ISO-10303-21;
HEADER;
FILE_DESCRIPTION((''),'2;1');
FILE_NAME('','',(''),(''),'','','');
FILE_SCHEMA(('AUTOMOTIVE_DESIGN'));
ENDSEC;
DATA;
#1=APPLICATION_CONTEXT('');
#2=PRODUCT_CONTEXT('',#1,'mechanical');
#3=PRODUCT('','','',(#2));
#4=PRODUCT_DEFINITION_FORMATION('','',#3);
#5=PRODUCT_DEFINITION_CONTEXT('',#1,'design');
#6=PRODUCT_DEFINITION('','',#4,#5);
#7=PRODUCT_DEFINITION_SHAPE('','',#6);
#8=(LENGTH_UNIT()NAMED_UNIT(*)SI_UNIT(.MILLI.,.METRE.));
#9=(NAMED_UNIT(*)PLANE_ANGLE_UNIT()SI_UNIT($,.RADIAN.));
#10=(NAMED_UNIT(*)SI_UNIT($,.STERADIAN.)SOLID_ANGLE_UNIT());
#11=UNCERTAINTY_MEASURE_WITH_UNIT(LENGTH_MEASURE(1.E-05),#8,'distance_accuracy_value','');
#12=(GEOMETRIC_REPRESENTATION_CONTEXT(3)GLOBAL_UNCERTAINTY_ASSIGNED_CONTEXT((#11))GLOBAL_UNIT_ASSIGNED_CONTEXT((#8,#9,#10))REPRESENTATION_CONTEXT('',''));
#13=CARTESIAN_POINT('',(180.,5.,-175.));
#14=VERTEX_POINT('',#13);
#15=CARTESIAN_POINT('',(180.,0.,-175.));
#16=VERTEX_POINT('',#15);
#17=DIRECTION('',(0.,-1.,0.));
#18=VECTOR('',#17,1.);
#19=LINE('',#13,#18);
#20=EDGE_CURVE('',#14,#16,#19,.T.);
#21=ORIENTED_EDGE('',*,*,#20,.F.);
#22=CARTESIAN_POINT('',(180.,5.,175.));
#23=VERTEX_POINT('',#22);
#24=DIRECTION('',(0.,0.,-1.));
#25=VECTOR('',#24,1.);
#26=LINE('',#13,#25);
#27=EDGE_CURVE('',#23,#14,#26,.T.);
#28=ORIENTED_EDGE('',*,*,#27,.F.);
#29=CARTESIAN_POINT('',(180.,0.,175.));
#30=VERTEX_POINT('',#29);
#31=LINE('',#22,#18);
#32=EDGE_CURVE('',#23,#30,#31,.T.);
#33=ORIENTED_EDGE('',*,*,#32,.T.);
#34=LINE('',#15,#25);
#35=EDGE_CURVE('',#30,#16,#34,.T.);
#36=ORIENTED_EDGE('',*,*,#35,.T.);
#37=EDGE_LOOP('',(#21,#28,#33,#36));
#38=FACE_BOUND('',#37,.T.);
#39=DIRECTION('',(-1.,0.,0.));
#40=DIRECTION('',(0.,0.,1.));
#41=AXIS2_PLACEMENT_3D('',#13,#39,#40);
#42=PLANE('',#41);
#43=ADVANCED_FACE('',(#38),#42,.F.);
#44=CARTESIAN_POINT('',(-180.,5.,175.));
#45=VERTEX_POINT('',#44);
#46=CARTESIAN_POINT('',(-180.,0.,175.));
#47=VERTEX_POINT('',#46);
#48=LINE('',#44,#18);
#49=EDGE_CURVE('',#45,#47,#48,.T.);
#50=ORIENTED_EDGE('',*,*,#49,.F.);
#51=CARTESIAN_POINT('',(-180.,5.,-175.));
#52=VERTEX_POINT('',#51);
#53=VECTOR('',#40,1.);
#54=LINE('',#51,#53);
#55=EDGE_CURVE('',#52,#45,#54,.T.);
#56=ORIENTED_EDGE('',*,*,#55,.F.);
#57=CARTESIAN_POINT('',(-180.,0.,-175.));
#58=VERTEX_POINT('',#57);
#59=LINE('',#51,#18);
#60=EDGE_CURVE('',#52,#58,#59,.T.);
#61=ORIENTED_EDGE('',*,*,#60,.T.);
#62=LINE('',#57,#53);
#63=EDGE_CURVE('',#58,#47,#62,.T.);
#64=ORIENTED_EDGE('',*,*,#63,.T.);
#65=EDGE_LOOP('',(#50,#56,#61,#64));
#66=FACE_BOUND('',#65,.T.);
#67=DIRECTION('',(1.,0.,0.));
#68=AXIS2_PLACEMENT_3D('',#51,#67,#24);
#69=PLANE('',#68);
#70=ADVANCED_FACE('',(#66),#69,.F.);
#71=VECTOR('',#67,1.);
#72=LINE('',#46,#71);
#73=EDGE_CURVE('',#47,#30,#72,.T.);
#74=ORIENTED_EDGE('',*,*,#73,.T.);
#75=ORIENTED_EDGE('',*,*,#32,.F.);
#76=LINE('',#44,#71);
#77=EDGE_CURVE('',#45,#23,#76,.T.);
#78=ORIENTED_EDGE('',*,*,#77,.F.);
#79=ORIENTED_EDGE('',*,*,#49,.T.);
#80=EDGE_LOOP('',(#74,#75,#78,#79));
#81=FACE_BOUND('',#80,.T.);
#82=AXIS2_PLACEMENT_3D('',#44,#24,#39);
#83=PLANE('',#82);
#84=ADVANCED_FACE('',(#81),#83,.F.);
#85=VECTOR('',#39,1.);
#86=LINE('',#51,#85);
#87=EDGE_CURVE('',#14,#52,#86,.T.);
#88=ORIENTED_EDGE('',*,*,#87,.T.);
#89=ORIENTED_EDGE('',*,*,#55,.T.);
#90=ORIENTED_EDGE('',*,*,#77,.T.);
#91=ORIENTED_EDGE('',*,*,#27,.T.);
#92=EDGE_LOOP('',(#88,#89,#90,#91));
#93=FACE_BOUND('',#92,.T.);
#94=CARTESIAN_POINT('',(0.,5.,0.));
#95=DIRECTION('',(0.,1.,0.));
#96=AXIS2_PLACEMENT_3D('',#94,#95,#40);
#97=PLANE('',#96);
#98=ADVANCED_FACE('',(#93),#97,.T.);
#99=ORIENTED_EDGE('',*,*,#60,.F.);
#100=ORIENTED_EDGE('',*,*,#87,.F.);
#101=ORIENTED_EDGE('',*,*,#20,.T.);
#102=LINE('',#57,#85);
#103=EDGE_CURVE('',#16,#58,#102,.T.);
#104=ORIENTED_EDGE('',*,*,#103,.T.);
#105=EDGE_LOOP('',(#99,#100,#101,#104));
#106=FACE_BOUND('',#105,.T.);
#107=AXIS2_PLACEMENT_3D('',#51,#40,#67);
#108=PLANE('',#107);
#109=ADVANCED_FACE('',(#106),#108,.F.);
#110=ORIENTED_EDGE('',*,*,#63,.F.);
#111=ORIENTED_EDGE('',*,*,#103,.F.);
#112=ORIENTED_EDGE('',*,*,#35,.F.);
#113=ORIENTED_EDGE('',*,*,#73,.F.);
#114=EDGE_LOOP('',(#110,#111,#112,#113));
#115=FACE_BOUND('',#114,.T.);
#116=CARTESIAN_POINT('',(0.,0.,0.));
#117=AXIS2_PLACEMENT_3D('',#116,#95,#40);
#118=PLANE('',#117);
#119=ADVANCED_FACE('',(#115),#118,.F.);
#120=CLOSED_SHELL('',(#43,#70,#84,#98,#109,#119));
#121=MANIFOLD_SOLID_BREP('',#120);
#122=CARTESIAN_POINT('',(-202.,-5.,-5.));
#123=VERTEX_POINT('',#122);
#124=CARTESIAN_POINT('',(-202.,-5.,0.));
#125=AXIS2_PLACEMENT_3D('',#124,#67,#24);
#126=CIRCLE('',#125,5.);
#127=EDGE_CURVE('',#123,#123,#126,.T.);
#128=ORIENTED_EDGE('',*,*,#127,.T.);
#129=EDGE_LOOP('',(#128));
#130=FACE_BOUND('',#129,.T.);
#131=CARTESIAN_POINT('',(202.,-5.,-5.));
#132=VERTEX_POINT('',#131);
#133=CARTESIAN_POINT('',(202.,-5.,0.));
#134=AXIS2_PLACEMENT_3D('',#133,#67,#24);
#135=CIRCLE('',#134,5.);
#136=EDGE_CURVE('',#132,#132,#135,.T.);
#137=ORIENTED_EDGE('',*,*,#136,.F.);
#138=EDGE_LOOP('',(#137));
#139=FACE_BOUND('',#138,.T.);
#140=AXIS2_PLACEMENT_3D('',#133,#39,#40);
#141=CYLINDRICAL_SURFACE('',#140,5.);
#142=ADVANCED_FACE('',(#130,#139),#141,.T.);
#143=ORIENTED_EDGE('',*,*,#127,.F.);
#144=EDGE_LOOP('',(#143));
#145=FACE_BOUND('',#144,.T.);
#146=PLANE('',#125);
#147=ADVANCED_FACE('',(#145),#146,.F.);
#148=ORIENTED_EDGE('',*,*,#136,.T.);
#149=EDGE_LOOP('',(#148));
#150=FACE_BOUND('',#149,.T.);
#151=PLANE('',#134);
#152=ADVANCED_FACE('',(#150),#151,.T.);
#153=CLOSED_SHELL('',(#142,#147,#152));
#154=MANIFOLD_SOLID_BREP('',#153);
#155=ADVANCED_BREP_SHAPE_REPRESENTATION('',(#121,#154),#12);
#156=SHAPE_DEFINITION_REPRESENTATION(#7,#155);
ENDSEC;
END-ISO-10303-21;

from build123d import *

# Parameters (mm, degrees)
ESQUISSE1_W        = 360
ESQUISSE1_H        = 350
BOSS_EXTRU_1_DEPTH = 5
ESQUISSE2_R        = 5
BOSS_EXTRU_2_DEPTH = 202


with BuildPart() as part:
    # Esquisse1 → Boss.-Extru.1 (new body)
    with BuildSketch(Plane(origin=(0, 0, 0), x_dir=(1, 0, 0), z_dir=(0, 1, 0))):
        Rectangle(ESQUISSE1_W, ESQUISSE1_H)
    extrude(amount=BOSS_EXTRU_1_DEPTH)


with BuildPart() as body_2:
    # Esquisse2 → Boss.-Extru.2 (new body, symmetric)
    with BuildSketch(Plane(origin=(0, 0, 0), x_dir=(0, 0, -1), z_dir=(1, 0, 0))):
        with Locations((0, -5)):
            Circle(ESQUISSE2_R)
    extrude(amount=BOSS_EXTRU_2_DEPTH, both=True)


solid = Compound([part.part, body_2.part])
